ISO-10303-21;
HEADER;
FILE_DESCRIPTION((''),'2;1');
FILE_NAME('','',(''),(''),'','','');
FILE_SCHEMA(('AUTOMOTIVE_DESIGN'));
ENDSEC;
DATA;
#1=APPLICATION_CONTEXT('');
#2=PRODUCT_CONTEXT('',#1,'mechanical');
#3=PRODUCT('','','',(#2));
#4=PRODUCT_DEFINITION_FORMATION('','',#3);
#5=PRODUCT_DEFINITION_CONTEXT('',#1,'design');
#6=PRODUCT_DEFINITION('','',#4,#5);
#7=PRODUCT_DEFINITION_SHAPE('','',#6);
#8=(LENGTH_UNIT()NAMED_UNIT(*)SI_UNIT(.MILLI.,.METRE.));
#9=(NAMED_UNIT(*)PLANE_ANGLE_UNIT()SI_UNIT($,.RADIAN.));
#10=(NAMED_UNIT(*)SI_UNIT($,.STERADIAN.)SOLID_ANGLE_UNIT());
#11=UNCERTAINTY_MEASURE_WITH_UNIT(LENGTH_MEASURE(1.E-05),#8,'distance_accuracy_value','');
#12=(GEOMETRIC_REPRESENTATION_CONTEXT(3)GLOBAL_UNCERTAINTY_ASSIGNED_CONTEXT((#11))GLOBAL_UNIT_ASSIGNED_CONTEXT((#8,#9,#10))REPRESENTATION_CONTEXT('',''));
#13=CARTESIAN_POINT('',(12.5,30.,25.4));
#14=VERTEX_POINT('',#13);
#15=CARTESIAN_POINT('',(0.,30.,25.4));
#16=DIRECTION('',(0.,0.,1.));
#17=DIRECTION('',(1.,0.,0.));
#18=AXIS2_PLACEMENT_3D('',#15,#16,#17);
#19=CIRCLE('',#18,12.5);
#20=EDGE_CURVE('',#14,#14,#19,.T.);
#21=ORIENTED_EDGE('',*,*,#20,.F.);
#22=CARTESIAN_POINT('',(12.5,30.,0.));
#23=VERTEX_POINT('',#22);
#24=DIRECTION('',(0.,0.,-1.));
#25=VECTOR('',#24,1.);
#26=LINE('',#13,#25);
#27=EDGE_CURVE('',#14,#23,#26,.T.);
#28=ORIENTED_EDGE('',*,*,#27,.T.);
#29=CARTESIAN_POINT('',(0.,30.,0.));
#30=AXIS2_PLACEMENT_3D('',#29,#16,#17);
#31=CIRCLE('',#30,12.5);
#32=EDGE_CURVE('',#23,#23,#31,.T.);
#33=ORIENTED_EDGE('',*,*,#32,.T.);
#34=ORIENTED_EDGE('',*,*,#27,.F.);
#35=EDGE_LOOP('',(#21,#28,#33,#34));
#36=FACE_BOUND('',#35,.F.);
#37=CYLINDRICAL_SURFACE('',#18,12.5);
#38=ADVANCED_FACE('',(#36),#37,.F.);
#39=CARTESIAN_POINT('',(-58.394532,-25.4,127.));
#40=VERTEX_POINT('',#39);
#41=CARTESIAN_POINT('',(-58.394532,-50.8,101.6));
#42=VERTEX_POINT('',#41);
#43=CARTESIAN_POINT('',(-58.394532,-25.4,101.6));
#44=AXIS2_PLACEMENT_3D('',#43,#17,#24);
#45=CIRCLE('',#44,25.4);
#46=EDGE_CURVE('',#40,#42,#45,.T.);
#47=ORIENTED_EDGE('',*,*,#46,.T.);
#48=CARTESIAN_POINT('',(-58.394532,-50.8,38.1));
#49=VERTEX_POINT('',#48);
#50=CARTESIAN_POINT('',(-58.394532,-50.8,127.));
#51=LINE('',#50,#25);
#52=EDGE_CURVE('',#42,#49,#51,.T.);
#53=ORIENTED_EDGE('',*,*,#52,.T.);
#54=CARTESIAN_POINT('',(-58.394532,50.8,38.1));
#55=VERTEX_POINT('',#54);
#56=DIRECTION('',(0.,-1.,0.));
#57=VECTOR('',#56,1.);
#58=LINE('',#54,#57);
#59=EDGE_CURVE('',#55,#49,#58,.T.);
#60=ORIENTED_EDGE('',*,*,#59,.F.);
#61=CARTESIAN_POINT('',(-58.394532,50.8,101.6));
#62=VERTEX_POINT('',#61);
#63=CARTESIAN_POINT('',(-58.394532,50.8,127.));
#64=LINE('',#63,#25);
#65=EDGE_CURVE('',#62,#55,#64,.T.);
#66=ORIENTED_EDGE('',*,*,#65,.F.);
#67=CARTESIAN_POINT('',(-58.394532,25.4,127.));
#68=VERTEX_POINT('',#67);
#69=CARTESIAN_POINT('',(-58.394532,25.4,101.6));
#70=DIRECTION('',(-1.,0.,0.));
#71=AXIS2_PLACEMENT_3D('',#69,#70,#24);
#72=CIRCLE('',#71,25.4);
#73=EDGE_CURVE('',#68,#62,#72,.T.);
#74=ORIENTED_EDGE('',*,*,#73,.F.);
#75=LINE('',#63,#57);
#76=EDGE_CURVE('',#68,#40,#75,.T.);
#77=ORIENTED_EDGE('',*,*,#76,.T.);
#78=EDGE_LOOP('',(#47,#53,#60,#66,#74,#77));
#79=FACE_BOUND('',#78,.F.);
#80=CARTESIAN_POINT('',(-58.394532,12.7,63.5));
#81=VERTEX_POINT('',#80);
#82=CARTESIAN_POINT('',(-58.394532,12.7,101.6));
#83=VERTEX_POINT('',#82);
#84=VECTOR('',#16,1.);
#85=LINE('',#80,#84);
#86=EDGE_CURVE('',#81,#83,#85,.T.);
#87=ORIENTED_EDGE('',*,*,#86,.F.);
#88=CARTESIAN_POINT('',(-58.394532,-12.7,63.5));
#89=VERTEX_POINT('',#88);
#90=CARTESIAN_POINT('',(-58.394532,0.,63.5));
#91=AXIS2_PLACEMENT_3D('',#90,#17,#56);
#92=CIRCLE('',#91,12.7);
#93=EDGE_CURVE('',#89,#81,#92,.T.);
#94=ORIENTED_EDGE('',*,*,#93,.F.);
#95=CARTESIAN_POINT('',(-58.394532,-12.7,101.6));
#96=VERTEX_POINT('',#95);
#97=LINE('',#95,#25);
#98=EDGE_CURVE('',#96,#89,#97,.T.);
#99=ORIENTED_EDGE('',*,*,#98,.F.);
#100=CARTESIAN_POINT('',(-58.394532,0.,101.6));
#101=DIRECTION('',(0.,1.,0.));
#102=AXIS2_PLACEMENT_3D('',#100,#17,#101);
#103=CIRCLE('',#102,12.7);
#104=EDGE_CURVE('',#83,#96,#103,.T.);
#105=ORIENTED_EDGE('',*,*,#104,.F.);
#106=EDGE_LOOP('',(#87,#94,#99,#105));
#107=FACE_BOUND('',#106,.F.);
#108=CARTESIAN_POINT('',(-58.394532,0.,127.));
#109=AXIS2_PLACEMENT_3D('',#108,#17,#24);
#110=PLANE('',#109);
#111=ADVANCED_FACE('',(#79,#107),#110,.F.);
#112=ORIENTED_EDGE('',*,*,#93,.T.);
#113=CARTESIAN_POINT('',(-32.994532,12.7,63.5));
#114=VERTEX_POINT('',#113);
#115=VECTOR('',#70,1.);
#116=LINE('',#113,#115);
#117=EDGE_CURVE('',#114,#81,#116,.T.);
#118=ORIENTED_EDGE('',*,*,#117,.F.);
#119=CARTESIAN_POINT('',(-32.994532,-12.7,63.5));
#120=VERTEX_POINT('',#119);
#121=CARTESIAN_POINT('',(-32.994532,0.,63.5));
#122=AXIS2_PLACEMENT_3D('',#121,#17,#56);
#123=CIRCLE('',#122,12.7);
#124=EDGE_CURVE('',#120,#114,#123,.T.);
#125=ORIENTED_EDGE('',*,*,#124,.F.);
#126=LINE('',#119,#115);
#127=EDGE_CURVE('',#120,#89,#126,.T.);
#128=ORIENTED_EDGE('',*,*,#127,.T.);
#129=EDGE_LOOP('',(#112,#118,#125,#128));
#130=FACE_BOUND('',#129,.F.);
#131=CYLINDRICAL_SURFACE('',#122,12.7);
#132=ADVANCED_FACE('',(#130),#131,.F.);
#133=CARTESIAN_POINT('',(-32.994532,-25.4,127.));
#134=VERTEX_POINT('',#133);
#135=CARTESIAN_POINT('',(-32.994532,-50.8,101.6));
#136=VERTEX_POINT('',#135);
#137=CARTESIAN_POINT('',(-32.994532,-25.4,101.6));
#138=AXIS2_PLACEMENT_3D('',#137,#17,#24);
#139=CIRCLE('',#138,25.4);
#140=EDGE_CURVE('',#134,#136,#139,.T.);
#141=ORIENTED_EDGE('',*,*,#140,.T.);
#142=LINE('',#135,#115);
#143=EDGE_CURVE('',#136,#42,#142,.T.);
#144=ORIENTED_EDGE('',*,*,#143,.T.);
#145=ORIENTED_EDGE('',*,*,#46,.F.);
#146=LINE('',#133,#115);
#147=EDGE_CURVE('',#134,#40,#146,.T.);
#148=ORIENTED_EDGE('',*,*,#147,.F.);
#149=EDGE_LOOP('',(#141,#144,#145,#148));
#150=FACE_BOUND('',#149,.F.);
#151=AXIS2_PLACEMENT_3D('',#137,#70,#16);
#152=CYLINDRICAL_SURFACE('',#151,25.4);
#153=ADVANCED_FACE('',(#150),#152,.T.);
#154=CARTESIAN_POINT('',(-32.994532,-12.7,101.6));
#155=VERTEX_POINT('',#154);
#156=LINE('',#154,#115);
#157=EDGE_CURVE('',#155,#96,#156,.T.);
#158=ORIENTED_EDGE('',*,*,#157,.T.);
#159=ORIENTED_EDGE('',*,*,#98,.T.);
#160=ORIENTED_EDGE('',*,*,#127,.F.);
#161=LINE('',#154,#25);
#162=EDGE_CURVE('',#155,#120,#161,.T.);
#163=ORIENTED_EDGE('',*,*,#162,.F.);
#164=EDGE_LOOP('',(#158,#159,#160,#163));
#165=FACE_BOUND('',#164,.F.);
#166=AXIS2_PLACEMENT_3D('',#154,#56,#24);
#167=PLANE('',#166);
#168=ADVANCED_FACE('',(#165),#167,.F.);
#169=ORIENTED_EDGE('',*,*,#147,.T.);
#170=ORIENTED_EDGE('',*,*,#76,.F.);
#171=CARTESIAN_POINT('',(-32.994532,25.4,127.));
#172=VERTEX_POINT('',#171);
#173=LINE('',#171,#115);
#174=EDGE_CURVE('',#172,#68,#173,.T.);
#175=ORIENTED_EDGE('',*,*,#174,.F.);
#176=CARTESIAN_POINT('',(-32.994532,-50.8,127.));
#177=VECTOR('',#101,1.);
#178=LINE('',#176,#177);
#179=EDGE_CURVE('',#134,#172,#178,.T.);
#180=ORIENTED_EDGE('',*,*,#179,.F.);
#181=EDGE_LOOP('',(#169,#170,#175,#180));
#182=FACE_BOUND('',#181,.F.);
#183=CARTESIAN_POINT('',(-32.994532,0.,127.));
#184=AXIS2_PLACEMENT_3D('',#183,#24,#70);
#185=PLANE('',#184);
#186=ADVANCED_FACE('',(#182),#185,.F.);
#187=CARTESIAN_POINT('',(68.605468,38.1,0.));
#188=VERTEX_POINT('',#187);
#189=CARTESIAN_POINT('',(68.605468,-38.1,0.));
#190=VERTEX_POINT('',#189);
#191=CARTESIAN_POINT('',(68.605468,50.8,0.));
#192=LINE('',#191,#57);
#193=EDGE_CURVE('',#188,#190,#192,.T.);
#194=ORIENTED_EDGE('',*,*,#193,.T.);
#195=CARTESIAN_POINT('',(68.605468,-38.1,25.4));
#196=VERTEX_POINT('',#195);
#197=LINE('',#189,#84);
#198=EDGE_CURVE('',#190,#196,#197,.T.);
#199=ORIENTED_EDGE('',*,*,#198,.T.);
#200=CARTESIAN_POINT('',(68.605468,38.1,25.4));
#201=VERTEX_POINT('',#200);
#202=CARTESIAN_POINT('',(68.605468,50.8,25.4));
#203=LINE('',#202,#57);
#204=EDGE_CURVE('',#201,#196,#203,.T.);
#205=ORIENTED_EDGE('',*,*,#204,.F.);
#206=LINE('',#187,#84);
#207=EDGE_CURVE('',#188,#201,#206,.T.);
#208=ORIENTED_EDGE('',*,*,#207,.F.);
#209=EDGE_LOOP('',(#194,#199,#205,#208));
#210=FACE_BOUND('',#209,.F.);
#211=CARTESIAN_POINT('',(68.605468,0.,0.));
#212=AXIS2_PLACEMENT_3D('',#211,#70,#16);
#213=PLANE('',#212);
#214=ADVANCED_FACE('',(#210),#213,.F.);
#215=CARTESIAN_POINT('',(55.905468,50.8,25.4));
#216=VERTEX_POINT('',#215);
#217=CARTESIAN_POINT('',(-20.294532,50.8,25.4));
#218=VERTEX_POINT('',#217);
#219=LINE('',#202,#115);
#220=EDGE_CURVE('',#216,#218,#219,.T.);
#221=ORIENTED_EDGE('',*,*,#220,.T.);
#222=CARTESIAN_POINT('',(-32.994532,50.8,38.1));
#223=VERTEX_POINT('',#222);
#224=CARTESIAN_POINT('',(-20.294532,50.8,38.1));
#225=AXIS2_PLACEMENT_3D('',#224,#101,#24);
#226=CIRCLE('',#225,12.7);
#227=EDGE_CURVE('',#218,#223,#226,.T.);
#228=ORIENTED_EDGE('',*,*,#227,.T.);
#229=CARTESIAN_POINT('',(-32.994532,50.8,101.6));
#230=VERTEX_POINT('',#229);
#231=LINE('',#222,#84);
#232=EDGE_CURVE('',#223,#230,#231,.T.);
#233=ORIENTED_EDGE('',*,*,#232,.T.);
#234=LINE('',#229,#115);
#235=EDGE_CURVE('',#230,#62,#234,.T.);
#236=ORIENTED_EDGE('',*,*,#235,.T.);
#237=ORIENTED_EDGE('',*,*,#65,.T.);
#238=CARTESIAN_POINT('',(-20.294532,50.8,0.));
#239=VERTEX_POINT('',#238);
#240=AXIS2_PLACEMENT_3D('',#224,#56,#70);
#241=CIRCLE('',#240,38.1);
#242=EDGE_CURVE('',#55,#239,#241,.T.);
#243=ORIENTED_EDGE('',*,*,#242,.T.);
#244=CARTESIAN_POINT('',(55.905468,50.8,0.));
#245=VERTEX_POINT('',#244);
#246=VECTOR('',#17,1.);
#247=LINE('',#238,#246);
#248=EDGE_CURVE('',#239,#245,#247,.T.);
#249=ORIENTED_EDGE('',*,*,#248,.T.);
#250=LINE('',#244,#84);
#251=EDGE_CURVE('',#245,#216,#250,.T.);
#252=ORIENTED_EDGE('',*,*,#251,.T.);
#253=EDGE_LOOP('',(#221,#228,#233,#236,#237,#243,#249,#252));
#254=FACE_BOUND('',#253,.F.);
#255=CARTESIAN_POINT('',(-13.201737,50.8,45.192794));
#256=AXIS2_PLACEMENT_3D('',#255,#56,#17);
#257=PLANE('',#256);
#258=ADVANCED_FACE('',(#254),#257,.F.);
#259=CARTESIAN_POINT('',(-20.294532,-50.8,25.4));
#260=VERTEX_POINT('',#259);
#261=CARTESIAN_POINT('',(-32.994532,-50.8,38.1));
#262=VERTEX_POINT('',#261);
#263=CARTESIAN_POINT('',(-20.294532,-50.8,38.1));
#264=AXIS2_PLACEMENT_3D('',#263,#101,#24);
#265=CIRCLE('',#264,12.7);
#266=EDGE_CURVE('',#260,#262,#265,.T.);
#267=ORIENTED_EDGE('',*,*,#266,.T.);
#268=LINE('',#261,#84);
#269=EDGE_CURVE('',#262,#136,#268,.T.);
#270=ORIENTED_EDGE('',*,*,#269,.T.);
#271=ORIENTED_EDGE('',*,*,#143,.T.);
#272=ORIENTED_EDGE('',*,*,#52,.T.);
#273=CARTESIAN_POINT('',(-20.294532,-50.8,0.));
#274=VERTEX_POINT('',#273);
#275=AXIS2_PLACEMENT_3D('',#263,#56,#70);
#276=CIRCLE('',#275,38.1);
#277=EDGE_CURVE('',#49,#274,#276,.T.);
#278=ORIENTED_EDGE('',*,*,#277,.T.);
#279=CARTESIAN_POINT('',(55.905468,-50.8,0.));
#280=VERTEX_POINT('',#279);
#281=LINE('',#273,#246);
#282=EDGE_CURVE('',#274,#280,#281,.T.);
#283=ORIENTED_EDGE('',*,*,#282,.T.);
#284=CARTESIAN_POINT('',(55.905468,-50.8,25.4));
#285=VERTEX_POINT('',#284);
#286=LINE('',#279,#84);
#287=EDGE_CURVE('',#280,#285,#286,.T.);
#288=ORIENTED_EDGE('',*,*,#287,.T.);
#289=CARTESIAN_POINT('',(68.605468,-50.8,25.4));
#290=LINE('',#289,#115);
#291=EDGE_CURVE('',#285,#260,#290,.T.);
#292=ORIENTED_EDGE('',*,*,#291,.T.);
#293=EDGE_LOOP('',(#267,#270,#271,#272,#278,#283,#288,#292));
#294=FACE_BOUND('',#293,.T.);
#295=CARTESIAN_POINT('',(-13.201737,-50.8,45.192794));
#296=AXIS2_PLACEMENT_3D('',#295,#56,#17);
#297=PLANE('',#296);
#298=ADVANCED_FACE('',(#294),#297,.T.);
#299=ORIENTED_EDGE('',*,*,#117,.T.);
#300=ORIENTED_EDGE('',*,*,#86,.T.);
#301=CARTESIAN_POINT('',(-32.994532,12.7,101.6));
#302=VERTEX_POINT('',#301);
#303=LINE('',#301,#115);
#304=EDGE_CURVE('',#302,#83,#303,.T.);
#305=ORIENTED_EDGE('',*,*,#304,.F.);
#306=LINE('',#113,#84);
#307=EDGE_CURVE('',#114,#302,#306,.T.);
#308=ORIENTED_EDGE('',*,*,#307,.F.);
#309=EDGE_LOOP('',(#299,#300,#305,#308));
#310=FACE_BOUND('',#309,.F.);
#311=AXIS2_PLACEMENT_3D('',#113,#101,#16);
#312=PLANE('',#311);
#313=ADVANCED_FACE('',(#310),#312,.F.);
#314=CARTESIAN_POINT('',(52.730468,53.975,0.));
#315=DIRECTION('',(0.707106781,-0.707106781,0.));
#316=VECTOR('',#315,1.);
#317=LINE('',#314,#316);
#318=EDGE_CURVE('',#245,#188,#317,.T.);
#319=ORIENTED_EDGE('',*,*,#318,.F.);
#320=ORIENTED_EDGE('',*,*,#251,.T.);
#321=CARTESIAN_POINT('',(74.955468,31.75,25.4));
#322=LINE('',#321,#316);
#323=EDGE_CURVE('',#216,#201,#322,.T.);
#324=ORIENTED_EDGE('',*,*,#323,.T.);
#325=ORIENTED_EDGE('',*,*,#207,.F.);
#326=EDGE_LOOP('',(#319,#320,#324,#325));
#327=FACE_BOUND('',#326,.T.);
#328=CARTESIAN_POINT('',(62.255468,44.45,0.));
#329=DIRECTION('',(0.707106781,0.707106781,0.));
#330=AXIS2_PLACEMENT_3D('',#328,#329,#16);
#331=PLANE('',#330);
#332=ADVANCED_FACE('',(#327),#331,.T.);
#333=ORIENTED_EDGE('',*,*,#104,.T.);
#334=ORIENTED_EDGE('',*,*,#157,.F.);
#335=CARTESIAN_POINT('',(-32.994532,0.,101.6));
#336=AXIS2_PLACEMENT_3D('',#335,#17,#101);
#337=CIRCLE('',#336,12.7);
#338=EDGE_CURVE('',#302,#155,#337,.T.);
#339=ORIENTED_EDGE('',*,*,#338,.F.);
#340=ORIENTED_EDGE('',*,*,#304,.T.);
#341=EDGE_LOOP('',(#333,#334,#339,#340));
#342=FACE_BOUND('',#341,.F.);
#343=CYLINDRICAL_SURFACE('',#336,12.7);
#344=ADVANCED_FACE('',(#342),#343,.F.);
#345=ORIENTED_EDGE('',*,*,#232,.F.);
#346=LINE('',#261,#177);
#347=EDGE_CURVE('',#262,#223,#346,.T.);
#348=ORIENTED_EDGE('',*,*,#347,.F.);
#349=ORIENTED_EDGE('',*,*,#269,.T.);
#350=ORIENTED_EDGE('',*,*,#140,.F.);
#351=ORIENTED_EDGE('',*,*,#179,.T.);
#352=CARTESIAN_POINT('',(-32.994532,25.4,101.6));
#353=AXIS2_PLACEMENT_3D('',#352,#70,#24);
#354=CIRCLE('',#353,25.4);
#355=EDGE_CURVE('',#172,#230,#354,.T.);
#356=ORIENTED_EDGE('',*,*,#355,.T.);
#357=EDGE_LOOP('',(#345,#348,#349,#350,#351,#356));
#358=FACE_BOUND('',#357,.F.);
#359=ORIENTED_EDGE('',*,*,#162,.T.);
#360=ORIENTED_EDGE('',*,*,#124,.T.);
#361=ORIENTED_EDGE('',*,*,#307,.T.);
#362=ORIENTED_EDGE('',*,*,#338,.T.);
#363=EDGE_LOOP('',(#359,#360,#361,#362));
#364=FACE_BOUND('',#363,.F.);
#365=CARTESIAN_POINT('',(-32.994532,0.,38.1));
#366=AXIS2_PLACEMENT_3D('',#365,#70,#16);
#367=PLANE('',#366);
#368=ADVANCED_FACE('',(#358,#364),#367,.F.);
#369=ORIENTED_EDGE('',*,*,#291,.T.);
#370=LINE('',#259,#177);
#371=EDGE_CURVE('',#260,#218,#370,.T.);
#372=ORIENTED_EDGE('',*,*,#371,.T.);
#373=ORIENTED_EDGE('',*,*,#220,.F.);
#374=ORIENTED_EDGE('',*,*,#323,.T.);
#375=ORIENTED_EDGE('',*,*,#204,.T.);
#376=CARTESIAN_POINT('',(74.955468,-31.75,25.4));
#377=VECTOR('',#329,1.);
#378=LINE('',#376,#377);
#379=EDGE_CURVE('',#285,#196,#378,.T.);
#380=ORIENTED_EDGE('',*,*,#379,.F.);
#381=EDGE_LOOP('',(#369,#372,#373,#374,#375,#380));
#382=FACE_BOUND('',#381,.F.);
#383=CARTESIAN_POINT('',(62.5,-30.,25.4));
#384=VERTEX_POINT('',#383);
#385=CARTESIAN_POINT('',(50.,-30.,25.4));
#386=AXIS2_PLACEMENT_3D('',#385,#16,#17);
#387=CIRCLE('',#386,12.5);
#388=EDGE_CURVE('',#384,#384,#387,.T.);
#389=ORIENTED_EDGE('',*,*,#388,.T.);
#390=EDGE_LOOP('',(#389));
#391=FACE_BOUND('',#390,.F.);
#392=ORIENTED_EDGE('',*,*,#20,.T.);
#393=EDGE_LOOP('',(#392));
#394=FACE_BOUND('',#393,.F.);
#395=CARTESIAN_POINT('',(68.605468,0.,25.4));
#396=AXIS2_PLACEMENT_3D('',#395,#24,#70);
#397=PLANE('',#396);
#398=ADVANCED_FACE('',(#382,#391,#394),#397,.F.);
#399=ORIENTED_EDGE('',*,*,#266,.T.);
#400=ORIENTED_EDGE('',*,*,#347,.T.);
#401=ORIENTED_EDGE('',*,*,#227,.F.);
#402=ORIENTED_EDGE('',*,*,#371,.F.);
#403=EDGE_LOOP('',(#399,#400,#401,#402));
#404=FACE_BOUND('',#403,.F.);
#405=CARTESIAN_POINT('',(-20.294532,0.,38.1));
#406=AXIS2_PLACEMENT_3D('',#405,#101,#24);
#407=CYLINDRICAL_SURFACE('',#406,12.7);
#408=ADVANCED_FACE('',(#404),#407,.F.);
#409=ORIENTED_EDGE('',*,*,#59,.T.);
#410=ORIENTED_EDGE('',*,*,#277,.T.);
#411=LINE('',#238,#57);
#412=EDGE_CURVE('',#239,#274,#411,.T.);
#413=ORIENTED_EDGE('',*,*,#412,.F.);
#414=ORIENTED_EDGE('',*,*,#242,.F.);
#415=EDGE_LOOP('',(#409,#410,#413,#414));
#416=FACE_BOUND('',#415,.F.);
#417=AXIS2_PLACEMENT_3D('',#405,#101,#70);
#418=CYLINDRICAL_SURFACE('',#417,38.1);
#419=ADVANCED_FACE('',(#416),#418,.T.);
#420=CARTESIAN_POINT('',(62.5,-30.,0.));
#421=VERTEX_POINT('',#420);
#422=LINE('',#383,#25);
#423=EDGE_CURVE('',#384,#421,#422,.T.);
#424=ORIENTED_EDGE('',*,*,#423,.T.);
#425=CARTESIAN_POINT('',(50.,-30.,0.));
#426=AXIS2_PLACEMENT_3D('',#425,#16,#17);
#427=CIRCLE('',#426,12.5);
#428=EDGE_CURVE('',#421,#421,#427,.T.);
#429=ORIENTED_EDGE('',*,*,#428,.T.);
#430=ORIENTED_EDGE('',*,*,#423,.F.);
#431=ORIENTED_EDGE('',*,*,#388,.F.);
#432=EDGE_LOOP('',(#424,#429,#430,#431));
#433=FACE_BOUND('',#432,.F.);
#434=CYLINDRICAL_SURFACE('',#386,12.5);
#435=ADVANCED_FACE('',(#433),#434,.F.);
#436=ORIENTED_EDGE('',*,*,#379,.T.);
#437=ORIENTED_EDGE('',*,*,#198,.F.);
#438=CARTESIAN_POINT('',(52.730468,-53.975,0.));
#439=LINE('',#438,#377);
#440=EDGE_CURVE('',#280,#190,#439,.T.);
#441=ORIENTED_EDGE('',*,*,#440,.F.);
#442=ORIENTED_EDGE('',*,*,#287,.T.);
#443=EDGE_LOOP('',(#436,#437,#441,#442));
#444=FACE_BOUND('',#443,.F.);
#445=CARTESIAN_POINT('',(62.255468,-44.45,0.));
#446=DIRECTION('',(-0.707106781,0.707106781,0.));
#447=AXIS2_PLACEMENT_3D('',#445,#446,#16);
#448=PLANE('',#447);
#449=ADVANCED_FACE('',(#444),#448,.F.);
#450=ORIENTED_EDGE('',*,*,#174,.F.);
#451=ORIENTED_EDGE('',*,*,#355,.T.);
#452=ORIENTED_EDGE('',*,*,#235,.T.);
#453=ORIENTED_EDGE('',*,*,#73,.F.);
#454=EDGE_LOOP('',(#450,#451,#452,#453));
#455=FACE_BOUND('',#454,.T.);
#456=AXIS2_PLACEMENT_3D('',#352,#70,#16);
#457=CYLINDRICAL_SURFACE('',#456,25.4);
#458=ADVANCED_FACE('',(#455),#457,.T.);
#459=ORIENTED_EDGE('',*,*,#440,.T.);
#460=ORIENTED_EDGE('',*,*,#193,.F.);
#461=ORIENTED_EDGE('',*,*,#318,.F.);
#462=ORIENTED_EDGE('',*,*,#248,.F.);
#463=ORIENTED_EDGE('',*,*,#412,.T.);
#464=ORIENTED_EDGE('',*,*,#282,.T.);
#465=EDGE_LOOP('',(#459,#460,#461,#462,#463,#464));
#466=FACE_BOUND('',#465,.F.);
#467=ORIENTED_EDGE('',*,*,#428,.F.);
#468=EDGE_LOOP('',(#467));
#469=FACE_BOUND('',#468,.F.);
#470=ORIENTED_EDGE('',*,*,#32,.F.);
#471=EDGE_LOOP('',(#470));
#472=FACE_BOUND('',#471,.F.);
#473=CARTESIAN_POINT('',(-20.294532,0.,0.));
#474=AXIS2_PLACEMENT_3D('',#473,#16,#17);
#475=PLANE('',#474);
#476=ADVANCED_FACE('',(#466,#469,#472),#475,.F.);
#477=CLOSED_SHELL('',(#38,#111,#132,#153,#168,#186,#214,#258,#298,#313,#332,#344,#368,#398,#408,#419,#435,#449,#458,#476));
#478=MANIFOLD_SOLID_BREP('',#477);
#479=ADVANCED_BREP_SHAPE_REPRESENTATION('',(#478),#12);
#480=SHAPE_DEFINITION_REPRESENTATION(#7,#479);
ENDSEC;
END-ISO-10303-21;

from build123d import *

# Parameters (mm, degrees)
F1_DEPTH      = 50.8
F1_DEPTH_BACK = 50.8
F3_DEPTH      = 25.4
F4_R          = 12.5
F5_DEPTH      = 25.4
F6_R          = 25.4
F7_SIZE       = 12.7


with BuildPart() as f1:
    # F0 (on Front) → F1 (new body, two sides)
    with BuildSketch(Plane.XZ) as f1_sk:
        with BuildLine():
            Line((-32.9945316374, 127), (-58.3945316374, 127))
            Line((-58.3945316374, 127), (-58.3945316374, 38.1))
            ThreePointArc((-58.3945316374, 38.1), (-47.2353000006, 11.1592316368), (-20.2945316374, 0))
            Line((-20.2945316374, 0), (68.6054683626, 0))
            Line((68.6054683626, 0), (68.6054683626, 25.4))
            Line((68.6054683626, 25.4), (-20.2945316374, 25.4))
            ThreePointArc((-20.2945316374, 25.4), (-29.2747877585, 29.1197438789), (-32.9945316374, 38.1))
            Line((-32.9945316374, 38.1), (-32.9945316374, 127))
        make_face()
    extrude(amount=-F1_DEPTH)
    extrude(f1_sk.sketch, amount=F1_DEPTH_BACK)

    # F2 (on face) → F3 (cut)
    with BuildSketch(Plane.YZ.offset(-32.9945316374)):
        with BuildLine():
            ThreePointArc((12.7, 101.6), (0, 114.3), (-12.7, 101.6))
            Line((-12.7, 101.6), (-12.7, 63.5))
            ThreePointArc((-12.7, 63.5), (0, 50.8), (12.7, 63.5))
            Line((12.7, 63.5), (12.7, 101.6))
        make_face()
    extrude(amount=-F3_DEPTH, mode=Mode.SUBTRACT)

    # F4 (on face) → F5 (cut)
    with BuildSketch(Plane.XY.offset(25.4)):
        with Locations((0, 30)):
            Circle(F4_R)
        with Locations((50, -30)):
            Circle(F4_R)
    extrude(amount=-F5_DEPTH, mode=Mode.SUBTRACT)

    # F6
    f6_edges = [f1.edges().sort_by_distance(p)[0] for p in [
        (-45.694532, -50.8, 127),
        (-45.694532, 50.8, 127),
    ]]
    fillet(f6_edges, radius=F6_R)

    # F7
    f7_edges = [f1.edges().sort_by_distance(p)[0] for p in [
        (68.605468, -50.8, 12.7),
        (68.605468, 50.8, 12.7),
    ]]
    chamfer(f7_edges, length=F7_SIZE)


solid = f1.part
